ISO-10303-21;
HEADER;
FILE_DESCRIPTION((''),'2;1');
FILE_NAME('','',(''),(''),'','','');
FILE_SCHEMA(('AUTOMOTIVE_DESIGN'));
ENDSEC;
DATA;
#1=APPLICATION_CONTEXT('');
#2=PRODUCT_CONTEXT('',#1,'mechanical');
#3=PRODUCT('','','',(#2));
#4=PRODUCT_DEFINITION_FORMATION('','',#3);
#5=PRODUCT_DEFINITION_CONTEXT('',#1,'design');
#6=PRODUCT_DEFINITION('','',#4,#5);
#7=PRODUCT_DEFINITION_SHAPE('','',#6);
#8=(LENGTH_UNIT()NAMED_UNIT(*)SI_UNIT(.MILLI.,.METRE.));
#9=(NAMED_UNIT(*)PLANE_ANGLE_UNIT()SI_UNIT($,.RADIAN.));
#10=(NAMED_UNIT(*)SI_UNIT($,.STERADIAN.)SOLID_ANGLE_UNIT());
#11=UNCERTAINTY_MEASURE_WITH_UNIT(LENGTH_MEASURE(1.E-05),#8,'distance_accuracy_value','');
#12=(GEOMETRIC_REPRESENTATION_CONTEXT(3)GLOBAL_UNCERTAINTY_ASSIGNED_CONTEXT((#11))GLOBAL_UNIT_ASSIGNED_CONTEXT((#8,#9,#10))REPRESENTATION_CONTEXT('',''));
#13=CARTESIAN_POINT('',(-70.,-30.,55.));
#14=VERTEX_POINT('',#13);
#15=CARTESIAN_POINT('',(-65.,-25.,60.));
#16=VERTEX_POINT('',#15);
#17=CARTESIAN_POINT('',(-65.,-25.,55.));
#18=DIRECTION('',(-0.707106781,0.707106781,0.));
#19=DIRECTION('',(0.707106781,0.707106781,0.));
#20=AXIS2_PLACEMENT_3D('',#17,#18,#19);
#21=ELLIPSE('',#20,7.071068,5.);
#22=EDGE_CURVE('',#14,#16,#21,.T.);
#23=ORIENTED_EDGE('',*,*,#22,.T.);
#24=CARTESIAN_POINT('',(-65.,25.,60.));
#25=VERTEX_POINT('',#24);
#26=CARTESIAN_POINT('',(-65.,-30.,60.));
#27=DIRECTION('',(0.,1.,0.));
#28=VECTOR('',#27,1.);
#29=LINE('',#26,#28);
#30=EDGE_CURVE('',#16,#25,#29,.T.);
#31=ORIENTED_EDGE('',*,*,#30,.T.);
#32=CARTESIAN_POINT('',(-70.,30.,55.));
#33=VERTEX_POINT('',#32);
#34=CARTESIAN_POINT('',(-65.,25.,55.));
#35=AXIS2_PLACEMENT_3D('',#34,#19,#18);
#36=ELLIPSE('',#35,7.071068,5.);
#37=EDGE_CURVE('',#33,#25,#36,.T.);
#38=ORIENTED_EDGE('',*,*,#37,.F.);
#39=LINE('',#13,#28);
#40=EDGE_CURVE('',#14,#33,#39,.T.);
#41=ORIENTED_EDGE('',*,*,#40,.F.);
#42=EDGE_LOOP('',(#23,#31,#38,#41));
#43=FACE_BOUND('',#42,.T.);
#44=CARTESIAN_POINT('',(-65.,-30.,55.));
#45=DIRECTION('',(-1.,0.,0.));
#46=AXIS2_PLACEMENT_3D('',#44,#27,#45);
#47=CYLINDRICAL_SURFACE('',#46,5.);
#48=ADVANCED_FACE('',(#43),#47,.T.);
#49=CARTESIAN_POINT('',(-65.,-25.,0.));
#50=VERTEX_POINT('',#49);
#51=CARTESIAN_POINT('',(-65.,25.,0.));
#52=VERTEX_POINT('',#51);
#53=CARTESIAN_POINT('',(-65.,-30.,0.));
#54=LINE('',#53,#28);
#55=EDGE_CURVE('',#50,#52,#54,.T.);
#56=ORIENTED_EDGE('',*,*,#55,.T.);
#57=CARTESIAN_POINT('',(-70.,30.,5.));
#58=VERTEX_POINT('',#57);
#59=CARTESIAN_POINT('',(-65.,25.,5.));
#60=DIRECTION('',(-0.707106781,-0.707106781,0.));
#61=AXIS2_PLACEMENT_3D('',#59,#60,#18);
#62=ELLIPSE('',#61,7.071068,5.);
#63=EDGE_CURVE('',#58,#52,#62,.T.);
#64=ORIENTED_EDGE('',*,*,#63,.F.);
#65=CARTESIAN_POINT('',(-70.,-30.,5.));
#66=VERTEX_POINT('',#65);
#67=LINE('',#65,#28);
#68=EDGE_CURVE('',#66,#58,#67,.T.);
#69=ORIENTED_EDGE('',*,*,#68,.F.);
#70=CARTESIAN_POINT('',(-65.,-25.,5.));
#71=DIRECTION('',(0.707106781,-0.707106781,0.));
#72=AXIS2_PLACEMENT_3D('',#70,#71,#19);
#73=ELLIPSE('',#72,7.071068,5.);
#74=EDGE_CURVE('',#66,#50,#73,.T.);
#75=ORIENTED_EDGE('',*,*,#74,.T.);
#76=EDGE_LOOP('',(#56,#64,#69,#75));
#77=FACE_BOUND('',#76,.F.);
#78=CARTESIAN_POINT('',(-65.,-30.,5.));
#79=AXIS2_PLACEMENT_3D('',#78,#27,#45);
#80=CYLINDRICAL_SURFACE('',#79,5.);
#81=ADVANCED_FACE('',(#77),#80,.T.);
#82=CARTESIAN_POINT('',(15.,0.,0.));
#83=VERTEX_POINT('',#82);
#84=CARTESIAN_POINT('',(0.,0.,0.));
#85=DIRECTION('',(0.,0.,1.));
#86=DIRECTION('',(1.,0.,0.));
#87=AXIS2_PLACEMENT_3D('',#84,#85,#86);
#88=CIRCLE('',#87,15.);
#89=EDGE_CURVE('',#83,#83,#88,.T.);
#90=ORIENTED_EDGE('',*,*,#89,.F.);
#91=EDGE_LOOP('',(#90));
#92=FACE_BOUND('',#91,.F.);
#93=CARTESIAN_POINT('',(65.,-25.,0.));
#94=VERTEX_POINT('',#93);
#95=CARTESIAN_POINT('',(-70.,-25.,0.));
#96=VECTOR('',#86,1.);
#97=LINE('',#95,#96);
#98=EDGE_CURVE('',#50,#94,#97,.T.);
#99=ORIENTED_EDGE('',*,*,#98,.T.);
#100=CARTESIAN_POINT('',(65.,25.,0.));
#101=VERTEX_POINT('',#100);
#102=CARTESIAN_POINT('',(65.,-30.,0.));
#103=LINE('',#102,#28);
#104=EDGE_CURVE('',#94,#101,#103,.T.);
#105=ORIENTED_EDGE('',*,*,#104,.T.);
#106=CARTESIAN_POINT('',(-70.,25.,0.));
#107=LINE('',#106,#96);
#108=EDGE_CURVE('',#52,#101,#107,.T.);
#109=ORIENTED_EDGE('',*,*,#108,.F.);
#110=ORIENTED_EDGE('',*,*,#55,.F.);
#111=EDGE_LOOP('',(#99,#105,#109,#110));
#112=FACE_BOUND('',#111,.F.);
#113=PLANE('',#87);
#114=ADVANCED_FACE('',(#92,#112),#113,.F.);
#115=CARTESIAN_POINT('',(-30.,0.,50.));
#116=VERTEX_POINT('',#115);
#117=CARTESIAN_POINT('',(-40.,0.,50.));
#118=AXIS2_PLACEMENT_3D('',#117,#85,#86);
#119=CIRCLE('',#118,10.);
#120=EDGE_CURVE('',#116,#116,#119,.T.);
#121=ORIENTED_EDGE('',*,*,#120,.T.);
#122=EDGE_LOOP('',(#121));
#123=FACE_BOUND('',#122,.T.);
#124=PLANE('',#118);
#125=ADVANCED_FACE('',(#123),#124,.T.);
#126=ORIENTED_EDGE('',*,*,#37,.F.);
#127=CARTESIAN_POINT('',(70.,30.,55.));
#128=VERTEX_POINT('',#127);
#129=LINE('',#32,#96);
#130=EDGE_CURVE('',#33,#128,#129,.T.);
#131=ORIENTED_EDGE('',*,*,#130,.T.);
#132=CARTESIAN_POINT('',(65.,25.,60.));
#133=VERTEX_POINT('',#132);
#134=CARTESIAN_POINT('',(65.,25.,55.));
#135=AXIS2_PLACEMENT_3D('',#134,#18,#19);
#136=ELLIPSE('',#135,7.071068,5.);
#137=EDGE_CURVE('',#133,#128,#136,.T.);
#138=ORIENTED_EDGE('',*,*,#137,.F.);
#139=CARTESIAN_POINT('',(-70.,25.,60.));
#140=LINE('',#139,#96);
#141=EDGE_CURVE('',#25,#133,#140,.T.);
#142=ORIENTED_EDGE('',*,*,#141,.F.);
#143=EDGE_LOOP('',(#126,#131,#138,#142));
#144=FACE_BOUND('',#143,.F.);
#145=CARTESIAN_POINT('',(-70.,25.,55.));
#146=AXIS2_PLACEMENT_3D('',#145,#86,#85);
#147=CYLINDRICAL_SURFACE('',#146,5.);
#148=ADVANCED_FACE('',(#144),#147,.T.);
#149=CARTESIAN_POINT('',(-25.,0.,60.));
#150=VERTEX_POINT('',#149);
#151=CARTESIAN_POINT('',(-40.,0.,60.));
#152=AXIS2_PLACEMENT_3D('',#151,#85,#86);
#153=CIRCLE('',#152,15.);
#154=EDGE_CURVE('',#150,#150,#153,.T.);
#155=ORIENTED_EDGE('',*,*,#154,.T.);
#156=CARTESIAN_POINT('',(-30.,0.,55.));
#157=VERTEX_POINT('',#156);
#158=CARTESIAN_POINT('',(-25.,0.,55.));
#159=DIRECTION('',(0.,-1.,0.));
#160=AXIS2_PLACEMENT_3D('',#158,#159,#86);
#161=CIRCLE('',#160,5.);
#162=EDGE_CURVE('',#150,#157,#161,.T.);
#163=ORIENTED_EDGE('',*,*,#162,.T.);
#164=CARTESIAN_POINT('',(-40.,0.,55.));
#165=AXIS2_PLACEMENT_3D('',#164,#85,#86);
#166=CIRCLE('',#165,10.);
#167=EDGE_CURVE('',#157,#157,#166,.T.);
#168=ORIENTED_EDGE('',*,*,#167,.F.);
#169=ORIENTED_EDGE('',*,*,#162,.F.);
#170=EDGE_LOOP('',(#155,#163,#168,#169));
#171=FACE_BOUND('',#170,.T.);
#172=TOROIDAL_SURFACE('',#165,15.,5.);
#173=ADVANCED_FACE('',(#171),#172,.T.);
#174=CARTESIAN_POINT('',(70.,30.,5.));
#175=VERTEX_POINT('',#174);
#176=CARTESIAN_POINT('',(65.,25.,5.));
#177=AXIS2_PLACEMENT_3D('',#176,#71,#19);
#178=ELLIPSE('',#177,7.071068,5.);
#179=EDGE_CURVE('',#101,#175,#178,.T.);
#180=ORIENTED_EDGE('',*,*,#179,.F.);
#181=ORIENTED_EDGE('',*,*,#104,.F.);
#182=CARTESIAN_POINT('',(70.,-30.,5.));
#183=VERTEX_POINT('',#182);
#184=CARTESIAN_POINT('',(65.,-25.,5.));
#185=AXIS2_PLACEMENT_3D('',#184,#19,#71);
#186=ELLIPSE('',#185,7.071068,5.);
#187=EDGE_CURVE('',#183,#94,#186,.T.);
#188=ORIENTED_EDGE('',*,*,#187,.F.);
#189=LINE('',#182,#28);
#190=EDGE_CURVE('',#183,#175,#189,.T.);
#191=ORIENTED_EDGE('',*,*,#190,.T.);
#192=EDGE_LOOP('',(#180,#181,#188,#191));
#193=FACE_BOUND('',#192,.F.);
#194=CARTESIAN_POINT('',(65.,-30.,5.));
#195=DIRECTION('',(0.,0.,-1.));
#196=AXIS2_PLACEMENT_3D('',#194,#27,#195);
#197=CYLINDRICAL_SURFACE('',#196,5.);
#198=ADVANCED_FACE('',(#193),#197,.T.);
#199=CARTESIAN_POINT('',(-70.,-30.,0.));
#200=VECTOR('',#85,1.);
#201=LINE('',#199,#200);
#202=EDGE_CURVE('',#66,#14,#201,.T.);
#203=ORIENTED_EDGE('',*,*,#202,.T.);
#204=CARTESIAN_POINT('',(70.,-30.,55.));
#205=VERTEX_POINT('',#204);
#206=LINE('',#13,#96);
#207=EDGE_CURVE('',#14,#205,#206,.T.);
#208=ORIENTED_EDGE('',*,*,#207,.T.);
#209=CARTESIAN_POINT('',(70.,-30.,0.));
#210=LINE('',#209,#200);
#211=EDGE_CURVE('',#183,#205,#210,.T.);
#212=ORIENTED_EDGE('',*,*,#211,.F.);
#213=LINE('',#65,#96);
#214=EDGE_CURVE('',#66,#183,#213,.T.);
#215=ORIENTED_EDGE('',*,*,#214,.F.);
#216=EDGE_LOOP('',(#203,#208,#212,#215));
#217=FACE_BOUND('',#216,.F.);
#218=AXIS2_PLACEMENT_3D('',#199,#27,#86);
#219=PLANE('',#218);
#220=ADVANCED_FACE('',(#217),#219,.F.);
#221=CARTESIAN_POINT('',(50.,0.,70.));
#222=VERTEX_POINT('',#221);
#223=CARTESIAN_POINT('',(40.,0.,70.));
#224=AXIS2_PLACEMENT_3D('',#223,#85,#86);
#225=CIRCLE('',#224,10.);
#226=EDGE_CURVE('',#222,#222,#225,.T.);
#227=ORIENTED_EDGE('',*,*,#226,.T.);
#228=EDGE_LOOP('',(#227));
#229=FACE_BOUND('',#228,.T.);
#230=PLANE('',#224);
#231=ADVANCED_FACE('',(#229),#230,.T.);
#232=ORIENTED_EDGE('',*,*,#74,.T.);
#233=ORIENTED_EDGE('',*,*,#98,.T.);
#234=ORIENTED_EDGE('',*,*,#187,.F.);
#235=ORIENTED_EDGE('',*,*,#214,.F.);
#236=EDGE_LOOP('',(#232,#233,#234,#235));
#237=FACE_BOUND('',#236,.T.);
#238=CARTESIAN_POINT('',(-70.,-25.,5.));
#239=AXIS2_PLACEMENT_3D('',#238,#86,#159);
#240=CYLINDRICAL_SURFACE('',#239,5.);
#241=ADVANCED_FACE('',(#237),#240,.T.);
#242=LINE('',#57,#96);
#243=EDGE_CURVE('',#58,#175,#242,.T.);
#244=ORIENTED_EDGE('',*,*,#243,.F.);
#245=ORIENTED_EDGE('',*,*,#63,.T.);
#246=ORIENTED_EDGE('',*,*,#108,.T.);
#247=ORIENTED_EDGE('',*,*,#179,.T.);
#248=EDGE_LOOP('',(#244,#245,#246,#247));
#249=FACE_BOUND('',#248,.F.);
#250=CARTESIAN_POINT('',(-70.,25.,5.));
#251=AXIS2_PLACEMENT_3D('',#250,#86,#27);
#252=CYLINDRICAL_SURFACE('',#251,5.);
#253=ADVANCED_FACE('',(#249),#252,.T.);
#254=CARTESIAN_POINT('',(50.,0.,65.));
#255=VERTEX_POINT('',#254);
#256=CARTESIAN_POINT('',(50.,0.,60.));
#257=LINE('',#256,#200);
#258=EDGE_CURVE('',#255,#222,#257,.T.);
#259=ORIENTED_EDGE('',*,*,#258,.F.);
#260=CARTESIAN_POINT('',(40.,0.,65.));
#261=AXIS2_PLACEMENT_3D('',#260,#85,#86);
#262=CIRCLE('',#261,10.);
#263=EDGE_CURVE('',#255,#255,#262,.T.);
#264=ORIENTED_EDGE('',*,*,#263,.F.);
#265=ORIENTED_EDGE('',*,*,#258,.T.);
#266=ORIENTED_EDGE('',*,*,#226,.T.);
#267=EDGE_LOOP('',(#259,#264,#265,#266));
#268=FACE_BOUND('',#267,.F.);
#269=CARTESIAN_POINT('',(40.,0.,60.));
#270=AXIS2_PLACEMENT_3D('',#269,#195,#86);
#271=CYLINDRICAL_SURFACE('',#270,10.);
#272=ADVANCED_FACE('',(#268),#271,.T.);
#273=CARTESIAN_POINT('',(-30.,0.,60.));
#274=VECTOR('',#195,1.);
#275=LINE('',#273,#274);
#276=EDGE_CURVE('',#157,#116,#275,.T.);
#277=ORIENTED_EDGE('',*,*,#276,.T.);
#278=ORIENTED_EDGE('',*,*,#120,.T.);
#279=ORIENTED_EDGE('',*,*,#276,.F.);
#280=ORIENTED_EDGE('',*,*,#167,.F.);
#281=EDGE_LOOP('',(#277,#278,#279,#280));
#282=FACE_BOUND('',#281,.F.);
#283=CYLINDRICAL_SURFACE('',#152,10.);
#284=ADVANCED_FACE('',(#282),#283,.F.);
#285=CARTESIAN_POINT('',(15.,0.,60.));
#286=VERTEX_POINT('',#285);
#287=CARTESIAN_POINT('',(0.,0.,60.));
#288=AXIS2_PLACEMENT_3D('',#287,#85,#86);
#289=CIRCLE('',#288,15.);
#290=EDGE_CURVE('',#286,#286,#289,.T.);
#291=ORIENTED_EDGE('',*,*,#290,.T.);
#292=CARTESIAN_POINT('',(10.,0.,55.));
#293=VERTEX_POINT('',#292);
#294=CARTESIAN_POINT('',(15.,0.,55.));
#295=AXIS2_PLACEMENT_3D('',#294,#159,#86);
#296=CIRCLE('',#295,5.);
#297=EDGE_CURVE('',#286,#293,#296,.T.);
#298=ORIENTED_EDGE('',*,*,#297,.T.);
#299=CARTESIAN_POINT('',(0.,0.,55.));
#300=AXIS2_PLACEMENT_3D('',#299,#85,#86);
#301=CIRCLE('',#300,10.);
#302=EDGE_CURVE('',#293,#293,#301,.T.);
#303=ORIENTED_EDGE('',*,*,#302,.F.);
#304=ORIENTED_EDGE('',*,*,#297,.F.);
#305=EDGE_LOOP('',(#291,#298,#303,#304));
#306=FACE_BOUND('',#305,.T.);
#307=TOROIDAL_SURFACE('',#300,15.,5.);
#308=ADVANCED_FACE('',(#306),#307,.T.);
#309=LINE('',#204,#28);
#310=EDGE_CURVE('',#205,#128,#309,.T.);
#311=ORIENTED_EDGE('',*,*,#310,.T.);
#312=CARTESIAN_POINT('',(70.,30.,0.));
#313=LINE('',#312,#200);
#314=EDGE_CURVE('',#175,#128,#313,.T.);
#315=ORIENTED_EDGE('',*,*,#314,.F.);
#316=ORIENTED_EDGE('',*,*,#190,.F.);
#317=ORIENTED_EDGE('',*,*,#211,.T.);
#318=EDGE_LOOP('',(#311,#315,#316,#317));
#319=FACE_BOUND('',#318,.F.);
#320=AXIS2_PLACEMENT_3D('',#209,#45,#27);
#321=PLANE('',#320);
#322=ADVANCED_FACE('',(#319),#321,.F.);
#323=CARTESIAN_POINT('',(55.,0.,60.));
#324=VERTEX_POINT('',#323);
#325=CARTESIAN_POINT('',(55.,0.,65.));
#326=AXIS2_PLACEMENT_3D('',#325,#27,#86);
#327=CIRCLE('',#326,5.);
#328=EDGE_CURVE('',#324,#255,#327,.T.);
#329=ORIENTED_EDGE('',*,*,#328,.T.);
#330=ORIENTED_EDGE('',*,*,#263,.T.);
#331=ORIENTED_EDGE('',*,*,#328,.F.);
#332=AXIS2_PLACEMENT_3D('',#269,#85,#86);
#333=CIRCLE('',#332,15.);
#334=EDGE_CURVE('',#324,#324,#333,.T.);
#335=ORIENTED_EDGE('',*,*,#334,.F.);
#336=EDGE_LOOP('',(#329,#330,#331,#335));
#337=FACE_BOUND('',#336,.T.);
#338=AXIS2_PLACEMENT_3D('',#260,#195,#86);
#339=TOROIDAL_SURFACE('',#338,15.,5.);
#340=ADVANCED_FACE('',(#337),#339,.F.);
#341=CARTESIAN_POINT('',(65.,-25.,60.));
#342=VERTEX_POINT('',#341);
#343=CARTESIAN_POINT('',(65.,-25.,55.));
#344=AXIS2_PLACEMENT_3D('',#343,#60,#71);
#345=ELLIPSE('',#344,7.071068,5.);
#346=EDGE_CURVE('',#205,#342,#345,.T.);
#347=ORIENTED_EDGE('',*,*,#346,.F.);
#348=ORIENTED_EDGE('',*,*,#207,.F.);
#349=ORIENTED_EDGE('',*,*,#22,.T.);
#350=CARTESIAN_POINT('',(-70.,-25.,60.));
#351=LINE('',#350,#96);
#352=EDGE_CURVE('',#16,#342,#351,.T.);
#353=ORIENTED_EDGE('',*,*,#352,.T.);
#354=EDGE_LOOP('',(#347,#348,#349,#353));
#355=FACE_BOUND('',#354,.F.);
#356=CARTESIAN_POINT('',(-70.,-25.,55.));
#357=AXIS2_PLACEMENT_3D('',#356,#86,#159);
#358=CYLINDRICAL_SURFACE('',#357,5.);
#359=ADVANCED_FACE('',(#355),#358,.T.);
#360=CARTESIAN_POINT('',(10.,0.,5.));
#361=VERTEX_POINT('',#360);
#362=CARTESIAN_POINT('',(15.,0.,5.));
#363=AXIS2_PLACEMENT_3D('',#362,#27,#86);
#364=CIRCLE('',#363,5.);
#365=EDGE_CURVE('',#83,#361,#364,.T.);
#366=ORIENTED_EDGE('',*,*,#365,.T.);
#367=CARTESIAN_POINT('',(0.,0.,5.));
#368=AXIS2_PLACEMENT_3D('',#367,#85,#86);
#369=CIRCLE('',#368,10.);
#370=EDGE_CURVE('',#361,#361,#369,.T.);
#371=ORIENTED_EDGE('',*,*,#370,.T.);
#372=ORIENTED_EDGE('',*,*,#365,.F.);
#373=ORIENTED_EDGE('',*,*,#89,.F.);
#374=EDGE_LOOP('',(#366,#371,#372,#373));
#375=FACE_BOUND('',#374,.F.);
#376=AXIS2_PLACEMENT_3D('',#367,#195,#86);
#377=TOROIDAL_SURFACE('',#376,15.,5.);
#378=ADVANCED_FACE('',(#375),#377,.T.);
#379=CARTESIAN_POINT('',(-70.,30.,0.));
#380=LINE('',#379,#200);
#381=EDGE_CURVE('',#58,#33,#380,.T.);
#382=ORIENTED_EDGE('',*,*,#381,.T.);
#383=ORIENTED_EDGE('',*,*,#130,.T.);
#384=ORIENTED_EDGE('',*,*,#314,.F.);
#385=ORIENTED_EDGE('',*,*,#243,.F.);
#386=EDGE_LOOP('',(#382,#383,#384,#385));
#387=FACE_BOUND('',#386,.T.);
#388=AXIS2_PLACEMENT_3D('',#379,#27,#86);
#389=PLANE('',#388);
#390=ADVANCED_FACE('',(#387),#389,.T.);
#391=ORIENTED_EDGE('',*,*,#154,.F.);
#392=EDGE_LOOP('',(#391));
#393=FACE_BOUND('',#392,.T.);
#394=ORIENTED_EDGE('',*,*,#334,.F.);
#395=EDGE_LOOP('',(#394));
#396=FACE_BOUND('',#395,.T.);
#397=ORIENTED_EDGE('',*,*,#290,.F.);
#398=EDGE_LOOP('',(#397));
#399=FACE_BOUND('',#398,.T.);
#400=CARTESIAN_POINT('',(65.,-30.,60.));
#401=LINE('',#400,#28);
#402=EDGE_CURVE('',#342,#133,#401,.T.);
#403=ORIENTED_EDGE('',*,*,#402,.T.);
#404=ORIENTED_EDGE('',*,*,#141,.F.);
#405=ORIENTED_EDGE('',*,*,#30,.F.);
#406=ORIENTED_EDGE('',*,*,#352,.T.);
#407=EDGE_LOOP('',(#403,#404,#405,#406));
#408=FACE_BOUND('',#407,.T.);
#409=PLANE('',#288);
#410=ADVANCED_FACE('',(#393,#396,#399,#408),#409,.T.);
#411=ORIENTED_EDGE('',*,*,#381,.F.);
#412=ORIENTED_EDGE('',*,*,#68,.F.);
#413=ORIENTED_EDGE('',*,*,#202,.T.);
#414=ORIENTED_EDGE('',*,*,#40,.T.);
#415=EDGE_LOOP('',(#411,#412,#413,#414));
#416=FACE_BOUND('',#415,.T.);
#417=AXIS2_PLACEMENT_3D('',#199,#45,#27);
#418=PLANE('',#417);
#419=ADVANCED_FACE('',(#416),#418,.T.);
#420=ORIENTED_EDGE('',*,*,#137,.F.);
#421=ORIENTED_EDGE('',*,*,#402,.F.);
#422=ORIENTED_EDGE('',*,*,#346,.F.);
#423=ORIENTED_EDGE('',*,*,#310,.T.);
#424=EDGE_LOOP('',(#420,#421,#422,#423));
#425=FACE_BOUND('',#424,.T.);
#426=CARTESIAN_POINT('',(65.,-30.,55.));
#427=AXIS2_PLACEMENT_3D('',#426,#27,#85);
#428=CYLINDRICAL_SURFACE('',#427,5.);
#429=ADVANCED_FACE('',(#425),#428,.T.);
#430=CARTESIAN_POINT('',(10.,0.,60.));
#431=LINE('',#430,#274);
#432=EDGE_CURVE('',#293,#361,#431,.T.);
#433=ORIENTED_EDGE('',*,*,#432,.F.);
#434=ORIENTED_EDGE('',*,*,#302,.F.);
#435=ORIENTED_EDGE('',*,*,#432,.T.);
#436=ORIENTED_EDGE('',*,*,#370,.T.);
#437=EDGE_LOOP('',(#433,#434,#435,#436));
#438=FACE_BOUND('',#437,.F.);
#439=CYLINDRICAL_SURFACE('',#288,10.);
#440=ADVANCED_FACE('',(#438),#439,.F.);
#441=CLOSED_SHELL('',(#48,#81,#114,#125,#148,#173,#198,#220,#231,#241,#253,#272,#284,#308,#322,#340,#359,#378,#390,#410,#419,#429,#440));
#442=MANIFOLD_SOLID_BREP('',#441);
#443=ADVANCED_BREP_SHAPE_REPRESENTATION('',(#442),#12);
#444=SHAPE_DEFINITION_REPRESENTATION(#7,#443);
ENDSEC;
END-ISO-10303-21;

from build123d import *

# Parameters (mm, degrees)
F0_W     = 140
F0_H     = 60
F1_DEPTH = 60
F3_R     = 10
F5_DEPTH = 10
F4_R     = 10
F6_DEPTH = 96.3
F7_R     = 5
F2_R     = 10
F8_DEPTH = 10
F9_R     = 5


with BuildPart() as f1:
    # F0 (on Top) → F1 (new body)
    with BuildSketch(Plane.XY):
        Rectangle(F0_W, F0_H)
    extrude(amount=F1_DEPTH)

    # F3 (on face) → F5 (join)
    with BuildSketch(Plane.XY.offset(60)):
        with Locations((40, 0)):
            Circle(F3_R)
    extrude(amount=F5_DEPTH)

    # F4 (on face) → F6 (cut)
    with BuildSketch(Plane.XY.offset(60)):
        Circle(F4_R)
    extrude(amount=-F6_DEPTH, mode=Mode.SUBTRACT)

    # F7
    f7_edges = [f1.edges().sort_by_distance(p)[0] for p in [
        (0, -30, 0),
        (-70, 0, 0),
        (70, 0, 0),
        (0, 30, 0),
        (-10, 0, 0),
    ]]
    fillet(f7_edges, radius=F7_R)

    # F2 (on face) → F8 (cut)
    with BuildSketch(Plane.XY.offset(60)):
        with Locations((-40, 0)):
            Circle(F2_R)
    extrude(amount=-F8_DEPTH, mode=Mode.SUBTRACT)

    # F9
    f9_edges = [f1.edges().sort_by_distance(p)[0] for p in [
        (0, -30, 60),
        (-70, 0, 60),
        (70, 0, 60),
        (0, 30, 60),
        (-50, 0, 60),
        (-10, 0, 60),
        (30, 0, 60),
    ]]
    fillet(f9_edges, radius=F9_R)


solid = f1.part
